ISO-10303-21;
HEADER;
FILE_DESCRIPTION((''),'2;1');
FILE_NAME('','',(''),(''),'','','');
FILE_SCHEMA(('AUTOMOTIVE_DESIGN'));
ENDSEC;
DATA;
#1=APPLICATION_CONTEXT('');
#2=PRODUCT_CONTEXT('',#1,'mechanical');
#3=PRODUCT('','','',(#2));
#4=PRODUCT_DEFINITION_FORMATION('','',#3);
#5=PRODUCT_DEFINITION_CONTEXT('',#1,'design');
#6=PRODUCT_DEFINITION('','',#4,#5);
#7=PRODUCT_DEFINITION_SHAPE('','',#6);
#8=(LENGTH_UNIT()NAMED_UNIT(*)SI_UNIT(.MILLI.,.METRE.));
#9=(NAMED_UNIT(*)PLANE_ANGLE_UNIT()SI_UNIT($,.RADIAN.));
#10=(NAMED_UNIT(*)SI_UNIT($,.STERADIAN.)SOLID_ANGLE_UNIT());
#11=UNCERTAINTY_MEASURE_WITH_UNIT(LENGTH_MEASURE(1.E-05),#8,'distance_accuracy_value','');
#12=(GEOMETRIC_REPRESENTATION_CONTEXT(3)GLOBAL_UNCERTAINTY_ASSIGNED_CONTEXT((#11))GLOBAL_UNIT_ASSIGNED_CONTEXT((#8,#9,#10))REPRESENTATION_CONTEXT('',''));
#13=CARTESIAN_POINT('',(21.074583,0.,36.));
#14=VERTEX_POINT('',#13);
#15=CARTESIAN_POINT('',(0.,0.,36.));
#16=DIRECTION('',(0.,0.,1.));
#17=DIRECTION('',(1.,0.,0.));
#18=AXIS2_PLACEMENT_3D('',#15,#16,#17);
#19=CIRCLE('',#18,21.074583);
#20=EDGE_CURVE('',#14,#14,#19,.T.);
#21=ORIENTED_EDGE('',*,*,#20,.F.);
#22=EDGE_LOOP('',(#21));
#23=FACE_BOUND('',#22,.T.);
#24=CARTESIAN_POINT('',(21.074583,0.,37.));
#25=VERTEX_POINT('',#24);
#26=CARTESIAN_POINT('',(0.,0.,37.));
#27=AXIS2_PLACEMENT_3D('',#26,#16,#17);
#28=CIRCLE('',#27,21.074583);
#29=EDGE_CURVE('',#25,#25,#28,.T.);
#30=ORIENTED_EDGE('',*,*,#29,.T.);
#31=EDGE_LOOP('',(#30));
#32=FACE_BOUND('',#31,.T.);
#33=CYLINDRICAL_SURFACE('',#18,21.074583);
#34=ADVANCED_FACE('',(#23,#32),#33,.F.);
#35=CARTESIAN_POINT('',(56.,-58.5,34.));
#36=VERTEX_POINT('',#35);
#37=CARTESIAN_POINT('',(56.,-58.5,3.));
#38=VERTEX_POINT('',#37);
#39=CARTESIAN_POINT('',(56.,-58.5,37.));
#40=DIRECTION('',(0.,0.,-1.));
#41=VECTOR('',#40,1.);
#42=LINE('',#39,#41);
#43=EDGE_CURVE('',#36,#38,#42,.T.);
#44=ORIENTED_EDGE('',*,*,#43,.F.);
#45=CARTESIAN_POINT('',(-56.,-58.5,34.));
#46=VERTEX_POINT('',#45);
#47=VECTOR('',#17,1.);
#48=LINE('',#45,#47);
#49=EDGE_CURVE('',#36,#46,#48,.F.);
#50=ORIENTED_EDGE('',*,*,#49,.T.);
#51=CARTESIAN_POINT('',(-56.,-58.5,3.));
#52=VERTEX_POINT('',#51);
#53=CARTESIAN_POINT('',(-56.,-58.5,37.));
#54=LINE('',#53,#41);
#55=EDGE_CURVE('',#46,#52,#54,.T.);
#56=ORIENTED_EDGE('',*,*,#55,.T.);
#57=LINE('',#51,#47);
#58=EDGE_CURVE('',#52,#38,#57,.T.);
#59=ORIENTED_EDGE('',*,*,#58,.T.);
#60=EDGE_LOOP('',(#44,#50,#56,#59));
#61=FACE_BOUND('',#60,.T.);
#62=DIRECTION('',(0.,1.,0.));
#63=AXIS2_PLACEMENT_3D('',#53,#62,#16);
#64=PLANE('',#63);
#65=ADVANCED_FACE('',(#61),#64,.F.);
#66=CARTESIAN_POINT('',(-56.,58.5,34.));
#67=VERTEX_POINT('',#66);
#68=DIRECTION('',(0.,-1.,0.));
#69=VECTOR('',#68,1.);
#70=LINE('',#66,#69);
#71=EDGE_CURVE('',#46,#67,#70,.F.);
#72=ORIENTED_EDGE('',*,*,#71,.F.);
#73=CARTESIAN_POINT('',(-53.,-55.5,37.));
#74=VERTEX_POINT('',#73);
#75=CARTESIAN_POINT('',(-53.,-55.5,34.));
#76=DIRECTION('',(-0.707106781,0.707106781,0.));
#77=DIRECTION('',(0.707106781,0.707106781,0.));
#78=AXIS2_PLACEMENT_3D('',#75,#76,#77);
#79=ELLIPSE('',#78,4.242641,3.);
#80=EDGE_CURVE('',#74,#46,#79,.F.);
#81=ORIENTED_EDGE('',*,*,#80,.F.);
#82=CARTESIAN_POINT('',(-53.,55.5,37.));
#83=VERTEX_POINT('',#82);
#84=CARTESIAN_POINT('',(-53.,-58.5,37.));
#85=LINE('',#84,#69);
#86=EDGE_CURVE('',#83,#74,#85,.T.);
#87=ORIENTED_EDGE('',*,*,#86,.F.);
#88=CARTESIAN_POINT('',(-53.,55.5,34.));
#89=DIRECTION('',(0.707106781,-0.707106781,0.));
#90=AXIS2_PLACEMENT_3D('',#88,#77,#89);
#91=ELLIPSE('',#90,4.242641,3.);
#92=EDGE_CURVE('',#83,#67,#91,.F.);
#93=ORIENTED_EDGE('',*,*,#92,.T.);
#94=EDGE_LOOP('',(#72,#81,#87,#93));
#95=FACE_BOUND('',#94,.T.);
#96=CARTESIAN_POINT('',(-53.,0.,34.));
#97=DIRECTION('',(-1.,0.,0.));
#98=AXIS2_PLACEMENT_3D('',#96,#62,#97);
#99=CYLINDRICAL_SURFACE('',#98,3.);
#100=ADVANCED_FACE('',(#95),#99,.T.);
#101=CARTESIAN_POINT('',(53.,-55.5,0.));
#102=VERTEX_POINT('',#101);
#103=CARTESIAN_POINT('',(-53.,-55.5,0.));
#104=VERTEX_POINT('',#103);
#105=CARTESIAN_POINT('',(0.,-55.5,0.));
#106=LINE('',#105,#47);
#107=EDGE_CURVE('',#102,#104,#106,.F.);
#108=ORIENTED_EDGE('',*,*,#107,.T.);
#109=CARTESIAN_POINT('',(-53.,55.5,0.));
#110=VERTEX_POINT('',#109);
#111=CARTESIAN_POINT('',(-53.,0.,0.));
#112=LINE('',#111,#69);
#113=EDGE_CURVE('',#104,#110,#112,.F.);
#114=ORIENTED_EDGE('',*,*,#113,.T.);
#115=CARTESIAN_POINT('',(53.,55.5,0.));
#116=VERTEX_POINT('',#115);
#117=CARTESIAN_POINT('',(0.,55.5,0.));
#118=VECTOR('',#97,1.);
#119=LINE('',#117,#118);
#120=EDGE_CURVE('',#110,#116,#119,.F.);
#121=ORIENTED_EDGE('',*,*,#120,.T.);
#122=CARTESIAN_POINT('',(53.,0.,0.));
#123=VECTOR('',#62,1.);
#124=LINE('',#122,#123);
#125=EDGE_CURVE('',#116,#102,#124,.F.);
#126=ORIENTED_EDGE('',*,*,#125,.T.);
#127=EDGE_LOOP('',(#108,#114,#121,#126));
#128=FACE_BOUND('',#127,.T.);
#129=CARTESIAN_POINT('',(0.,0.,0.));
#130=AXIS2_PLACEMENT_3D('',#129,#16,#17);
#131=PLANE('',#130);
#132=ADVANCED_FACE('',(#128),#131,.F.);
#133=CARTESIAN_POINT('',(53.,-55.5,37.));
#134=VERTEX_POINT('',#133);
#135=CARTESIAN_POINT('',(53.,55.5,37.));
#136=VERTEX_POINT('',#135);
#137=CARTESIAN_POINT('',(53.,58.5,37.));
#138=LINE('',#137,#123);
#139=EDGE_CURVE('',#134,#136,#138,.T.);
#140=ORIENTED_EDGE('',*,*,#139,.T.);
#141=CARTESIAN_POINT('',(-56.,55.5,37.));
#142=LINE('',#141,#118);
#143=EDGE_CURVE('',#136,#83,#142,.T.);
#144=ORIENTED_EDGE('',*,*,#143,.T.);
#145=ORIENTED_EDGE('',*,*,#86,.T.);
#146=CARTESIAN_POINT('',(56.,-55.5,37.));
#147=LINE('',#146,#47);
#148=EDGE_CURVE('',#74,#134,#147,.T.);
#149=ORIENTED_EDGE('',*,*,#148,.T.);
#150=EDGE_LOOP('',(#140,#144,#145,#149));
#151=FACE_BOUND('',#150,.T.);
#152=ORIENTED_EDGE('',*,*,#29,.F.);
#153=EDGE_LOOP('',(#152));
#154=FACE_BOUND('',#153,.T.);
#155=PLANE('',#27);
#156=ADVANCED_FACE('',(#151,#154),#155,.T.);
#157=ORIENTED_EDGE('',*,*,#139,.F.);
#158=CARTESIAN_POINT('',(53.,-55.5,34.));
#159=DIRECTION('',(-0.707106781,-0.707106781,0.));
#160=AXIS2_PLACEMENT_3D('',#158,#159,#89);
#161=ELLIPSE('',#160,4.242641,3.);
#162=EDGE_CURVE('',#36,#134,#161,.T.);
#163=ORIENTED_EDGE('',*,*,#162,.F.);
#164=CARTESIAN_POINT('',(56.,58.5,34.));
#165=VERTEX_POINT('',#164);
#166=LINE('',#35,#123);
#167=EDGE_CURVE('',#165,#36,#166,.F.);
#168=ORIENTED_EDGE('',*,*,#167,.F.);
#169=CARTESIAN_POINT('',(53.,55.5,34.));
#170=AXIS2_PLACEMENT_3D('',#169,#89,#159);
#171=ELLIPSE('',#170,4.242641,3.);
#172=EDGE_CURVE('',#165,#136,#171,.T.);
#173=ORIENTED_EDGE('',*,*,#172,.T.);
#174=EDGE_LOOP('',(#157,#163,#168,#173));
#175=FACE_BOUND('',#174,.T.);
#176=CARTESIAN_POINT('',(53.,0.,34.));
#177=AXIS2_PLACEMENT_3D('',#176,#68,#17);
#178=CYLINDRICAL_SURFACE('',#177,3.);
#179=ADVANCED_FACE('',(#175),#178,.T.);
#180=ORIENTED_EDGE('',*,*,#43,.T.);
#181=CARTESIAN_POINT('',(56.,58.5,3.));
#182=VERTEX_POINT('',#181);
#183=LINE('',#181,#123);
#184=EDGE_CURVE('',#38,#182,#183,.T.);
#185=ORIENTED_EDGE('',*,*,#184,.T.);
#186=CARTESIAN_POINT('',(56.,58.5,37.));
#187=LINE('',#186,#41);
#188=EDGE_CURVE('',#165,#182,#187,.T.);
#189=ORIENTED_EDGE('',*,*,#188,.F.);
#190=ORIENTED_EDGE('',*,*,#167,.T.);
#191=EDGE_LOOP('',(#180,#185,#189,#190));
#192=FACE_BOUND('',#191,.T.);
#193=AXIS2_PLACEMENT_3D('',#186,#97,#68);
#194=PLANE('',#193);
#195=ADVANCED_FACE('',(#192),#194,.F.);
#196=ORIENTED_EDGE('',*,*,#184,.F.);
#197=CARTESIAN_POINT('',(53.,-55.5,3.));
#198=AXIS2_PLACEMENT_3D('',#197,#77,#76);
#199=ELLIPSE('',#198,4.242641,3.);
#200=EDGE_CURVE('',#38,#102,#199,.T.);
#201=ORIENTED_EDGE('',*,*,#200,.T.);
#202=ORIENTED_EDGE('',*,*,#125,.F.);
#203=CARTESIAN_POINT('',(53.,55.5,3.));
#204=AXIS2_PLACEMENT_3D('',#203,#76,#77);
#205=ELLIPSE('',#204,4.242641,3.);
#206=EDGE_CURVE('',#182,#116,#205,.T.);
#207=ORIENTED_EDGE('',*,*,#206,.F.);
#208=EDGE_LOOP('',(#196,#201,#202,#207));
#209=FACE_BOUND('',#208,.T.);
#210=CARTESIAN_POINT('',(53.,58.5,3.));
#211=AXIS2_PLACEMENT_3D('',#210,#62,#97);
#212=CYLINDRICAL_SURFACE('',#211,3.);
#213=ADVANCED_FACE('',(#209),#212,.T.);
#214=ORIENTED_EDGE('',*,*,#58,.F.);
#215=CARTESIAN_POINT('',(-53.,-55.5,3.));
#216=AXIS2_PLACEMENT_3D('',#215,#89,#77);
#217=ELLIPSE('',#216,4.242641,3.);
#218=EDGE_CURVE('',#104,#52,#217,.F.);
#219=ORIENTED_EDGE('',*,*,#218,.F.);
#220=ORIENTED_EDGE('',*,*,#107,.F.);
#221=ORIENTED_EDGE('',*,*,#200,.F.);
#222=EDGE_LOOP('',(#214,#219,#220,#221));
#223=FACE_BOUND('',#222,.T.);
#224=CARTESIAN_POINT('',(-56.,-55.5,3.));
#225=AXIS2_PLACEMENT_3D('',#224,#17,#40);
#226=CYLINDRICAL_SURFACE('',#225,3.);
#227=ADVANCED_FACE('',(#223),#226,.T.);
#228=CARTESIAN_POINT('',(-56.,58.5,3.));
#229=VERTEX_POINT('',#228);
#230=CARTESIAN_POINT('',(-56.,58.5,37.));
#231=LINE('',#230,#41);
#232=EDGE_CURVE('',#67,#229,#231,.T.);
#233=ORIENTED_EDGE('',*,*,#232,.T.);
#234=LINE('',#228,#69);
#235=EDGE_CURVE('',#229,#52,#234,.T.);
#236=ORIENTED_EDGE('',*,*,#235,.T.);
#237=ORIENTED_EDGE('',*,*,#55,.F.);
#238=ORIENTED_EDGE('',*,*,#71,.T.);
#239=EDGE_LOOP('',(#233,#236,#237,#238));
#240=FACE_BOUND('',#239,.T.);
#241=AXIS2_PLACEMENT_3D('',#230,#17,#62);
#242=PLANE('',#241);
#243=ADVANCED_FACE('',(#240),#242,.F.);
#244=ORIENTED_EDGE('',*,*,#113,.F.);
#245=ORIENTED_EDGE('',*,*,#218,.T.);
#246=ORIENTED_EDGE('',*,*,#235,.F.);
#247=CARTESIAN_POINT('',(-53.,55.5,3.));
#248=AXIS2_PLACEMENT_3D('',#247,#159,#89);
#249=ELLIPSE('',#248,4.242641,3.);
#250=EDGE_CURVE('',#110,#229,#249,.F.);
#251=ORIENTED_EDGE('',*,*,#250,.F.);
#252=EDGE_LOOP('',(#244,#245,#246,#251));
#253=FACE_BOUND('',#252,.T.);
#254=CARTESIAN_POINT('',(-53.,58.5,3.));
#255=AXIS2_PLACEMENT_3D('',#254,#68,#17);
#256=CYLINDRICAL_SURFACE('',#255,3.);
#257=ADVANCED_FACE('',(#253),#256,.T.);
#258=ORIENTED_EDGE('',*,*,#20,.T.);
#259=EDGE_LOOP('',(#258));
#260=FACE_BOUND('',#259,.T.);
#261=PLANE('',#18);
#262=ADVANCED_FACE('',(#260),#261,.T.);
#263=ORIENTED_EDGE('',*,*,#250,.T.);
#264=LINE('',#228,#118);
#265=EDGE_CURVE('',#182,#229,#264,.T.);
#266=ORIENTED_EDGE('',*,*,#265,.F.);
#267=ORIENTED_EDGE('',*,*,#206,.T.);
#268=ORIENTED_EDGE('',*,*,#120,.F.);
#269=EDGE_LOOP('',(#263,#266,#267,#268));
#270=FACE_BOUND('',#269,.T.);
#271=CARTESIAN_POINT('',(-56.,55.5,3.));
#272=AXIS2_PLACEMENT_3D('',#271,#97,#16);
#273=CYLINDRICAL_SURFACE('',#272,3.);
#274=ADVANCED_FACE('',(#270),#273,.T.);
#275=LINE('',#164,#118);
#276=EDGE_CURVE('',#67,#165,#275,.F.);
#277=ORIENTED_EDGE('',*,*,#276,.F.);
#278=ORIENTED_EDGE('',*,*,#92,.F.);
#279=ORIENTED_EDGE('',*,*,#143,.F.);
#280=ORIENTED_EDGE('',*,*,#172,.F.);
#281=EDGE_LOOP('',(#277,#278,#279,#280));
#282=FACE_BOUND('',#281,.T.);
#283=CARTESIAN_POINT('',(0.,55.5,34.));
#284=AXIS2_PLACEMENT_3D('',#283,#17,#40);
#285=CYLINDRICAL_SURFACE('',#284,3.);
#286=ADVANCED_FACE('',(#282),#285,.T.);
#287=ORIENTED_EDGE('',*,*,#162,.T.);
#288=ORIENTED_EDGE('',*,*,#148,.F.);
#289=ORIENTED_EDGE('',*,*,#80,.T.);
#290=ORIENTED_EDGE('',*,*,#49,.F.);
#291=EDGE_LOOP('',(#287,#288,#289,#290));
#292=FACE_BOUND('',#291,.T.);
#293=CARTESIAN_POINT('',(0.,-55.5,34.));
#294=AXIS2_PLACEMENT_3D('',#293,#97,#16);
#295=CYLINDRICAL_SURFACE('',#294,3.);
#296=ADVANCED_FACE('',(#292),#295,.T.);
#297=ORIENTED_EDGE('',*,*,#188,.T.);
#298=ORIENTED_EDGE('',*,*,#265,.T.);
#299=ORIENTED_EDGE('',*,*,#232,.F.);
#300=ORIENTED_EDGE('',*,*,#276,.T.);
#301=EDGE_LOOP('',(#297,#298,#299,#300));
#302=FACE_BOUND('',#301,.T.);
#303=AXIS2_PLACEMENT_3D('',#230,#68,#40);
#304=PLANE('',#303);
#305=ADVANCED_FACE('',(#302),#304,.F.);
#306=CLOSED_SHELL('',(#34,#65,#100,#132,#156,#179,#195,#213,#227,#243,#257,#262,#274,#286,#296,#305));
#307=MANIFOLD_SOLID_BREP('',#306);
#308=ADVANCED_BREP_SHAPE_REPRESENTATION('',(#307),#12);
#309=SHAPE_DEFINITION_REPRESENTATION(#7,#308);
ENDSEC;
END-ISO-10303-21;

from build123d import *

# Parameters (mm, degrees)
SKETCH_1_W          = 112
SKETCH_1_H          = 117
EXTRUDE_1_DEPTH     = 37
FILLET_1_R          = 3
FILLET_2_R          = 3
SKETCH_2_R          = 21.074583211
CUT_EXTRUDE_1_DEPTH = 1


with BuildPart() as part:
    # 草图1 → 凸台-拉伸1 (new body)
    with BuildSketch(Plane.XY):
        Rectangle(SKETCH_1_W, SKETCH_1_H)
    extrude(amount=EXTRUDE_1_DEPTH)

    # 圆角1
    fillet_1_edges = [part.edges().sort_by_distance(p)[0] for p in [
        (-56, 0, 37),
        (0, -58.5, 37),
        (56, 0, 37),
        (0, 58.5, 37),
    ]]
    fillet(fillet_1_edges, radius=FILLET_1_R)

    # 圆角2
    fillet_2_edges = [part.edges().sort_by_distance(p)[0] for p in [
        (0, -58.5, 0),
        (-56, 0, 0),
        (0, 58.5, 0),
        (56, 0, 0),
    ]]
    fillet(fillet_2_edges, radius=FILLET_2_R)

    # 草图2 → 切除-拉伸1 (cut)
    with BuildSketch(Plane.XY.offset(37)):
        Circle(SKETCH_2_R)
    extrude(amount=-CUT_EXTRUDE_1_DEPTH, mode=Mode.SUBTRACT)


solid = part.part
